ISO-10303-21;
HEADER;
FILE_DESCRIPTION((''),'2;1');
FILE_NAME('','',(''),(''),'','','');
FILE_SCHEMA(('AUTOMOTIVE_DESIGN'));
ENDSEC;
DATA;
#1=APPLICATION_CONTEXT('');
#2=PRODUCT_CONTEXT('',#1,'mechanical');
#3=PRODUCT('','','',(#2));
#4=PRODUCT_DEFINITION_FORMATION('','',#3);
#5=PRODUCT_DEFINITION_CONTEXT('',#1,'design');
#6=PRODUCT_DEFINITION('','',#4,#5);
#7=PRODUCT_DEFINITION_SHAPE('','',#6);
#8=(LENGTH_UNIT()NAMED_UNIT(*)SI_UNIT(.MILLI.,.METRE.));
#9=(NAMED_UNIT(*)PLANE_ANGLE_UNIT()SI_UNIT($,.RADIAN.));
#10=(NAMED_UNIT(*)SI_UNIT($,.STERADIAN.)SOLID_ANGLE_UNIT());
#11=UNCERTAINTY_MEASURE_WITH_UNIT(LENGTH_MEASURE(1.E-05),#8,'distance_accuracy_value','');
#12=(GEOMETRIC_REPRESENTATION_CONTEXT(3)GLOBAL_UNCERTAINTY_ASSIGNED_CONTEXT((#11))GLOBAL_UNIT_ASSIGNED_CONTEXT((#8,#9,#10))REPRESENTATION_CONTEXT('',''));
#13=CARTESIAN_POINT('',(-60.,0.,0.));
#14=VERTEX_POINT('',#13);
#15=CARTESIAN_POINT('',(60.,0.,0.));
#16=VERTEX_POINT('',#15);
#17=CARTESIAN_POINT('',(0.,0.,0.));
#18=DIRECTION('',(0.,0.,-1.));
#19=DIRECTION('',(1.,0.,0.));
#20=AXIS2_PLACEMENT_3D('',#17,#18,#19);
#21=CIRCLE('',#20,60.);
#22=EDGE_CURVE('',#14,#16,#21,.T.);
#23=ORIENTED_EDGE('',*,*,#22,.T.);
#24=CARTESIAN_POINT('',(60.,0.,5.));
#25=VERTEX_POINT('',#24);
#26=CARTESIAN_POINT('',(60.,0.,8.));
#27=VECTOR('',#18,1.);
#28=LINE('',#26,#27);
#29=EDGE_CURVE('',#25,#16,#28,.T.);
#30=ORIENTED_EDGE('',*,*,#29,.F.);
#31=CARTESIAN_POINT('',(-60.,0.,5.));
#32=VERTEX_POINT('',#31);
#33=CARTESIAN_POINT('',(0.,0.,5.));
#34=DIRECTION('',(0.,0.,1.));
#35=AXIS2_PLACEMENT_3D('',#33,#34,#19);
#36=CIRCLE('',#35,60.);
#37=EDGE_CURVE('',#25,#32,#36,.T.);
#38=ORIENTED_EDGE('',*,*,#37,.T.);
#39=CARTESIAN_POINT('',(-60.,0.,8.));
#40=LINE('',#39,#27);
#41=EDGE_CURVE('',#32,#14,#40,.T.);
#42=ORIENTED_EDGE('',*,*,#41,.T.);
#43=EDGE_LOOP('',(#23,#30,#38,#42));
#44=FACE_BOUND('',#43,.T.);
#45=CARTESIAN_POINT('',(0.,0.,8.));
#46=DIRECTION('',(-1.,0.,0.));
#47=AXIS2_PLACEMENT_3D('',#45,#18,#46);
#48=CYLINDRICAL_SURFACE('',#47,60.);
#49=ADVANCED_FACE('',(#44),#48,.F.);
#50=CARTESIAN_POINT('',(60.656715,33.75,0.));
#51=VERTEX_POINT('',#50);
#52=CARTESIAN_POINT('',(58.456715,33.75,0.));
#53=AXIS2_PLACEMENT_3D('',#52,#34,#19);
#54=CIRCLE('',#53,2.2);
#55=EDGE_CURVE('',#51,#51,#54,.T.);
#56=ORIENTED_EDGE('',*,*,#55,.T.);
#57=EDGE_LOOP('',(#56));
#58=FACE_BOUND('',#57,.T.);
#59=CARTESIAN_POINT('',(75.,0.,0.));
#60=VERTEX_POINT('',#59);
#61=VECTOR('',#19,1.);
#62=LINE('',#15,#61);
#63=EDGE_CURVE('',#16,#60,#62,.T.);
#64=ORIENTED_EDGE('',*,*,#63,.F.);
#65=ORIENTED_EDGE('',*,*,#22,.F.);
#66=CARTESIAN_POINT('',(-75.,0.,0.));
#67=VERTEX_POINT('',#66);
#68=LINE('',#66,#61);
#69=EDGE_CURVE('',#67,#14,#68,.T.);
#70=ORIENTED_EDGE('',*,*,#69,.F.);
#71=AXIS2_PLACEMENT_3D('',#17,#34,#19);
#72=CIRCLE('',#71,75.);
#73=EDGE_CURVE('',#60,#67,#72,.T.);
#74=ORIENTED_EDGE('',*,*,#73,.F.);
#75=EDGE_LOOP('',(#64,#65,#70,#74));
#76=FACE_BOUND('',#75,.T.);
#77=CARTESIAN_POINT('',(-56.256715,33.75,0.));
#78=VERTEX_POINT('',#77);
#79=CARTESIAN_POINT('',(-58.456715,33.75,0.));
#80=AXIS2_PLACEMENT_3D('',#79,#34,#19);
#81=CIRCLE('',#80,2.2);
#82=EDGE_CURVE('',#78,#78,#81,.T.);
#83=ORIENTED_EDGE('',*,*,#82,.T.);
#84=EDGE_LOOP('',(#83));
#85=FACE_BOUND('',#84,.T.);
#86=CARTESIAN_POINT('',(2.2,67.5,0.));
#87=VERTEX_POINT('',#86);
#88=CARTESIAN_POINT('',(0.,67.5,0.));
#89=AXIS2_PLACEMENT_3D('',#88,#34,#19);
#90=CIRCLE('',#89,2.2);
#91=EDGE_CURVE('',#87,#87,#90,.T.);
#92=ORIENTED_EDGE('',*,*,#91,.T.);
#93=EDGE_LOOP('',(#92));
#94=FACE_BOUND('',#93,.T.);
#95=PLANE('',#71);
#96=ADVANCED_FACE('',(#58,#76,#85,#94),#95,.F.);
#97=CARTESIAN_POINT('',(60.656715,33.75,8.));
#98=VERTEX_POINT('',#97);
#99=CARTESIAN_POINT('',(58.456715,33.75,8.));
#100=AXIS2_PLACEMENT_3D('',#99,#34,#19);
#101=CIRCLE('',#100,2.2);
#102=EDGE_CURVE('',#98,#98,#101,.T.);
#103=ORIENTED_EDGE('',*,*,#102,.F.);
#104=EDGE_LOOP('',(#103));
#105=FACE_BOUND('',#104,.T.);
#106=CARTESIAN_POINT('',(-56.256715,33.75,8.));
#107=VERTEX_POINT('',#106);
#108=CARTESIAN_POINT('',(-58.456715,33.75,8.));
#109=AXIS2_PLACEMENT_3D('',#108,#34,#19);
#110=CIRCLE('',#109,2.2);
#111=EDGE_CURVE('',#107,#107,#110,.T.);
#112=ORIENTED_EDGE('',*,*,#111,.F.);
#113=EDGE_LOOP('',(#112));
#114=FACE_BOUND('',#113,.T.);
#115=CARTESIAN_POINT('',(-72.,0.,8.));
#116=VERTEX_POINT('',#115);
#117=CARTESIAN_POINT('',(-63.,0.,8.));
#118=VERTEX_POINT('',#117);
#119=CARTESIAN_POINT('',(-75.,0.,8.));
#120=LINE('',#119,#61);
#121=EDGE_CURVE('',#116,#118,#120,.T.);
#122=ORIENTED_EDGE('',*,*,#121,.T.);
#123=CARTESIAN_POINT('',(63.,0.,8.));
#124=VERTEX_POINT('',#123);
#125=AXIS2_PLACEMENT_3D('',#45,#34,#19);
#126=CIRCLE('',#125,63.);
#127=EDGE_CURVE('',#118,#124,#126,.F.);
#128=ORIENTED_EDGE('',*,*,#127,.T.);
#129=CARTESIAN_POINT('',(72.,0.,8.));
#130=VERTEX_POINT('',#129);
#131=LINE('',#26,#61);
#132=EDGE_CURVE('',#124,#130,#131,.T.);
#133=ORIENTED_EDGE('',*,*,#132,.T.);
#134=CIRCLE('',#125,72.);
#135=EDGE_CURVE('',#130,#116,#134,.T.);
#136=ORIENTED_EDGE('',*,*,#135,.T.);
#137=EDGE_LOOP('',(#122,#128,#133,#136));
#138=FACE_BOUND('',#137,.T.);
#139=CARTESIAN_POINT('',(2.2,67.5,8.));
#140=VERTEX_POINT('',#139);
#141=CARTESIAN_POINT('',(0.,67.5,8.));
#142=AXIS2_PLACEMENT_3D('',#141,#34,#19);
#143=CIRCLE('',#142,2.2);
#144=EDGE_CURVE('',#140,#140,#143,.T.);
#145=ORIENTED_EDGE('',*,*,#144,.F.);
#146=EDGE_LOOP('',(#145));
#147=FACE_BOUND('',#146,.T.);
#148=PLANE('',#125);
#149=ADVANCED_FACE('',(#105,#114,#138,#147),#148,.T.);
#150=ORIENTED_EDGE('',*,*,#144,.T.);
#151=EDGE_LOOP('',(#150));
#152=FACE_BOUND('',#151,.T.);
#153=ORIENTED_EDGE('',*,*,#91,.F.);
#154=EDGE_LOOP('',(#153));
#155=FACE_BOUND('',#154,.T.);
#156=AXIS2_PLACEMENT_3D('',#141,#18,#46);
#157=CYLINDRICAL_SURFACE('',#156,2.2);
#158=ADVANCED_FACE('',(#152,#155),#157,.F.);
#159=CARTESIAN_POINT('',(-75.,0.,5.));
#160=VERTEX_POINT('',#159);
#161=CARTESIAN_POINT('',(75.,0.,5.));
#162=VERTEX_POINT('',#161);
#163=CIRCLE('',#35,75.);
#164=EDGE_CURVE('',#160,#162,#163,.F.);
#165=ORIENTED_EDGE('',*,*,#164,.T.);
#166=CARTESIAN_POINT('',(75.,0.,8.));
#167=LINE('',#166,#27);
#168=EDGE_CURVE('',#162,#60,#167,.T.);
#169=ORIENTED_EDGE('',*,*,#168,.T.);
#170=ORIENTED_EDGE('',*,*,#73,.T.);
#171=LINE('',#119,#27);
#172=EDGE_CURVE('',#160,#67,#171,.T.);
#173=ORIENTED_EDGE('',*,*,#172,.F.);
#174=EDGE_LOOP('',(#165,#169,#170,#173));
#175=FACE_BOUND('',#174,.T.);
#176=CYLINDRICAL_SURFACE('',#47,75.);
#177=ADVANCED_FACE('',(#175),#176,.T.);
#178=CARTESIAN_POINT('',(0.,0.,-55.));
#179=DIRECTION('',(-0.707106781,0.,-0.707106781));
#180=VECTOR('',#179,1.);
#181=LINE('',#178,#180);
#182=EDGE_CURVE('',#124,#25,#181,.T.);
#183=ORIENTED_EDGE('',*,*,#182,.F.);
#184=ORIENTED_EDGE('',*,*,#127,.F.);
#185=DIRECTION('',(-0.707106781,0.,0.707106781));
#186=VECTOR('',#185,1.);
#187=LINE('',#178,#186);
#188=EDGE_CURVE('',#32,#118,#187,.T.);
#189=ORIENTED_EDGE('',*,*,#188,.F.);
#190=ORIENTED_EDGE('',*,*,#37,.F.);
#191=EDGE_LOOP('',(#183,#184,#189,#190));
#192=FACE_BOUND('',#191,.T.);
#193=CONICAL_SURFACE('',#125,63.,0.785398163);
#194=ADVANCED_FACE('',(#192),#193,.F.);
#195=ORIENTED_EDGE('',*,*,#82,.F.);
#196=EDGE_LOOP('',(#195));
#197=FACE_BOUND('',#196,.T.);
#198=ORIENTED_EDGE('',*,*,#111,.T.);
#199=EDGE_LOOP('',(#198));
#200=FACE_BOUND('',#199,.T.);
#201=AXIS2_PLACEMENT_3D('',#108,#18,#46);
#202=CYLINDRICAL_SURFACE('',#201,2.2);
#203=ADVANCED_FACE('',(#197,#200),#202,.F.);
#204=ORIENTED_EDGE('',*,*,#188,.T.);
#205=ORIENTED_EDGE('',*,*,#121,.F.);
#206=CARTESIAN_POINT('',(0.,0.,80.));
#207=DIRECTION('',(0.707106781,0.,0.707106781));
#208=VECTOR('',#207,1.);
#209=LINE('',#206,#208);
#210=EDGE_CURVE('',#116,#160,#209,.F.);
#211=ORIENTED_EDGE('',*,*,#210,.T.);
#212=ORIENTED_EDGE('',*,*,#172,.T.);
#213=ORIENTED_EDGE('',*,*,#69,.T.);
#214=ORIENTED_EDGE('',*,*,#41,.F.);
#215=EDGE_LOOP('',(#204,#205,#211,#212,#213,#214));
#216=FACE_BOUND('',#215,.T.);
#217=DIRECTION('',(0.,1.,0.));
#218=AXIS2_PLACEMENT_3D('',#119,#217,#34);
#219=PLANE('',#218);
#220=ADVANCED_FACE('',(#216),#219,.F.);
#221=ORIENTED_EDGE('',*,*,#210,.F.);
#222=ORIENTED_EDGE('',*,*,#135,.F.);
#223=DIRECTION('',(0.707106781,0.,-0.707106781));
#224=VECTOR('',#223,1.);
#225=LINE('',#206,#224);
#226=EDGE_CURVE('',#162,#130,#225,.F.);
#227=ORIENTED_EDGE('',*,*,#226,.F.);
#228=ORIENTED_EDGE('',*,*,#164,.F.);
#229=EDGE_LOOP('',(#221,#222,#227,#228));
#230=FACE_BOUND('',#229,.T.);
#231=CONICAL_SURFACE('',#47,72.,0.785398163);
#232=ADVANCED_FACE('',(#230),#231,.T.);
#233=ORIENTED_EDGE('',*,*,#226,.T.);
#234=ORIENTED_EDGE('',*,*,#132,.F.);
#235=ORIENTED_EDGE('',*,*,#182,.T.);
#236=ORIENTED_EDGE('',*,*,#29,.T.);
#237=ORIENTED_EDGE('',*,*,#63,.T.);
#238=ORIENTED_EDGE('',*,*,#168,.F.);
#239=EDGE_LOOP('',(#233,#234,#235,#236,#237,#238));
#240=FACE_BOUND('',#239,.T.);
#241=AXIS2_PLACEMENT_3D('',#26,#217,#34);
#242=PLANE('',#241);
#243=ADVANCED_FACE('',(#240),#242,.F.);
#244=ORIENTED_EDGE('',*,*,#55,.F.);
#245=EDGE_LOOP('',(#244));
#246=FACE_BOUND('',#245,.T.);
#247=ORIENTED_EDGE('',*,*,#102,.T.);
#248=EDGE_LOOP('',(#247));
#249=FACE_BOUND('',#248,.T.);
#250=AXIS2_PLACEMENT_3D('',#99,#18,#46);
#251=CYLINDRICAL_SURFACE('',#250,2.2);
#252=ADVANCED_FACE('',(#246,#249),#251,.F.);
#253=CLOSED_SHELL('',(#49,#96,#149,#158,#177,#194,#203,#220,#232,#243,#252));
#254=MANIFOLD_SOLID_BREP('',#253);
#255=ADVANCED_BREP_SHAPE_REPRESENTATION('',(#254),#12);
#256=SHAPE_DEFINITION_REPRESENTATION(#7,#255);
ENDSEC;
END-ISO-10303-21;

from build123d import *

# Parameters (mm, degrees)
CROQUIS1_R              = 2.2
SALIENTE_EXTRUIR1_DEPTH = 8
CHAFL_N1_SIZE           = 3


with BuildPart() as part:
    # Croquis1 → Saliente-Extruir1 (new body)
    with BuildSketch(Plane.XY):
        with BuildLine():
            Line((-75, 0), (-60, 0))
            ThreePointArc((-60, 0), (0, 60), (60, 0))
            Line((60, 0), (75, 0))
            ThreePointArc((75, 0), (0, 75), (-75, 0))
        make_face()
        with Locations((0, 67.5)):
            Circle(CROQUIS1_R, mode=Mode.SUBTRACT)
        with Locations((-58.456714755, 33.75)):
            Circle(CROQUIS1_R, mode=Mode.SUBTRACT)
        with Locations((58.456714755, 33.75)):
            Circle(CROQUIS1_R, mode=Mode.SUBTRACT)
    extrude(amount=SALIENTE_EXTRUIR1_DEPTH)

    # Chaflán1
    chafl_n1_edges = [part.edges().sort_by_distance(p)[0] for p in [
        (0, 75, 8),
        (0, 60, 8),
    ]]
    chamfer(chafl_n1_edges, length=CHAFL_N1_SIZE)


solid = part.part
